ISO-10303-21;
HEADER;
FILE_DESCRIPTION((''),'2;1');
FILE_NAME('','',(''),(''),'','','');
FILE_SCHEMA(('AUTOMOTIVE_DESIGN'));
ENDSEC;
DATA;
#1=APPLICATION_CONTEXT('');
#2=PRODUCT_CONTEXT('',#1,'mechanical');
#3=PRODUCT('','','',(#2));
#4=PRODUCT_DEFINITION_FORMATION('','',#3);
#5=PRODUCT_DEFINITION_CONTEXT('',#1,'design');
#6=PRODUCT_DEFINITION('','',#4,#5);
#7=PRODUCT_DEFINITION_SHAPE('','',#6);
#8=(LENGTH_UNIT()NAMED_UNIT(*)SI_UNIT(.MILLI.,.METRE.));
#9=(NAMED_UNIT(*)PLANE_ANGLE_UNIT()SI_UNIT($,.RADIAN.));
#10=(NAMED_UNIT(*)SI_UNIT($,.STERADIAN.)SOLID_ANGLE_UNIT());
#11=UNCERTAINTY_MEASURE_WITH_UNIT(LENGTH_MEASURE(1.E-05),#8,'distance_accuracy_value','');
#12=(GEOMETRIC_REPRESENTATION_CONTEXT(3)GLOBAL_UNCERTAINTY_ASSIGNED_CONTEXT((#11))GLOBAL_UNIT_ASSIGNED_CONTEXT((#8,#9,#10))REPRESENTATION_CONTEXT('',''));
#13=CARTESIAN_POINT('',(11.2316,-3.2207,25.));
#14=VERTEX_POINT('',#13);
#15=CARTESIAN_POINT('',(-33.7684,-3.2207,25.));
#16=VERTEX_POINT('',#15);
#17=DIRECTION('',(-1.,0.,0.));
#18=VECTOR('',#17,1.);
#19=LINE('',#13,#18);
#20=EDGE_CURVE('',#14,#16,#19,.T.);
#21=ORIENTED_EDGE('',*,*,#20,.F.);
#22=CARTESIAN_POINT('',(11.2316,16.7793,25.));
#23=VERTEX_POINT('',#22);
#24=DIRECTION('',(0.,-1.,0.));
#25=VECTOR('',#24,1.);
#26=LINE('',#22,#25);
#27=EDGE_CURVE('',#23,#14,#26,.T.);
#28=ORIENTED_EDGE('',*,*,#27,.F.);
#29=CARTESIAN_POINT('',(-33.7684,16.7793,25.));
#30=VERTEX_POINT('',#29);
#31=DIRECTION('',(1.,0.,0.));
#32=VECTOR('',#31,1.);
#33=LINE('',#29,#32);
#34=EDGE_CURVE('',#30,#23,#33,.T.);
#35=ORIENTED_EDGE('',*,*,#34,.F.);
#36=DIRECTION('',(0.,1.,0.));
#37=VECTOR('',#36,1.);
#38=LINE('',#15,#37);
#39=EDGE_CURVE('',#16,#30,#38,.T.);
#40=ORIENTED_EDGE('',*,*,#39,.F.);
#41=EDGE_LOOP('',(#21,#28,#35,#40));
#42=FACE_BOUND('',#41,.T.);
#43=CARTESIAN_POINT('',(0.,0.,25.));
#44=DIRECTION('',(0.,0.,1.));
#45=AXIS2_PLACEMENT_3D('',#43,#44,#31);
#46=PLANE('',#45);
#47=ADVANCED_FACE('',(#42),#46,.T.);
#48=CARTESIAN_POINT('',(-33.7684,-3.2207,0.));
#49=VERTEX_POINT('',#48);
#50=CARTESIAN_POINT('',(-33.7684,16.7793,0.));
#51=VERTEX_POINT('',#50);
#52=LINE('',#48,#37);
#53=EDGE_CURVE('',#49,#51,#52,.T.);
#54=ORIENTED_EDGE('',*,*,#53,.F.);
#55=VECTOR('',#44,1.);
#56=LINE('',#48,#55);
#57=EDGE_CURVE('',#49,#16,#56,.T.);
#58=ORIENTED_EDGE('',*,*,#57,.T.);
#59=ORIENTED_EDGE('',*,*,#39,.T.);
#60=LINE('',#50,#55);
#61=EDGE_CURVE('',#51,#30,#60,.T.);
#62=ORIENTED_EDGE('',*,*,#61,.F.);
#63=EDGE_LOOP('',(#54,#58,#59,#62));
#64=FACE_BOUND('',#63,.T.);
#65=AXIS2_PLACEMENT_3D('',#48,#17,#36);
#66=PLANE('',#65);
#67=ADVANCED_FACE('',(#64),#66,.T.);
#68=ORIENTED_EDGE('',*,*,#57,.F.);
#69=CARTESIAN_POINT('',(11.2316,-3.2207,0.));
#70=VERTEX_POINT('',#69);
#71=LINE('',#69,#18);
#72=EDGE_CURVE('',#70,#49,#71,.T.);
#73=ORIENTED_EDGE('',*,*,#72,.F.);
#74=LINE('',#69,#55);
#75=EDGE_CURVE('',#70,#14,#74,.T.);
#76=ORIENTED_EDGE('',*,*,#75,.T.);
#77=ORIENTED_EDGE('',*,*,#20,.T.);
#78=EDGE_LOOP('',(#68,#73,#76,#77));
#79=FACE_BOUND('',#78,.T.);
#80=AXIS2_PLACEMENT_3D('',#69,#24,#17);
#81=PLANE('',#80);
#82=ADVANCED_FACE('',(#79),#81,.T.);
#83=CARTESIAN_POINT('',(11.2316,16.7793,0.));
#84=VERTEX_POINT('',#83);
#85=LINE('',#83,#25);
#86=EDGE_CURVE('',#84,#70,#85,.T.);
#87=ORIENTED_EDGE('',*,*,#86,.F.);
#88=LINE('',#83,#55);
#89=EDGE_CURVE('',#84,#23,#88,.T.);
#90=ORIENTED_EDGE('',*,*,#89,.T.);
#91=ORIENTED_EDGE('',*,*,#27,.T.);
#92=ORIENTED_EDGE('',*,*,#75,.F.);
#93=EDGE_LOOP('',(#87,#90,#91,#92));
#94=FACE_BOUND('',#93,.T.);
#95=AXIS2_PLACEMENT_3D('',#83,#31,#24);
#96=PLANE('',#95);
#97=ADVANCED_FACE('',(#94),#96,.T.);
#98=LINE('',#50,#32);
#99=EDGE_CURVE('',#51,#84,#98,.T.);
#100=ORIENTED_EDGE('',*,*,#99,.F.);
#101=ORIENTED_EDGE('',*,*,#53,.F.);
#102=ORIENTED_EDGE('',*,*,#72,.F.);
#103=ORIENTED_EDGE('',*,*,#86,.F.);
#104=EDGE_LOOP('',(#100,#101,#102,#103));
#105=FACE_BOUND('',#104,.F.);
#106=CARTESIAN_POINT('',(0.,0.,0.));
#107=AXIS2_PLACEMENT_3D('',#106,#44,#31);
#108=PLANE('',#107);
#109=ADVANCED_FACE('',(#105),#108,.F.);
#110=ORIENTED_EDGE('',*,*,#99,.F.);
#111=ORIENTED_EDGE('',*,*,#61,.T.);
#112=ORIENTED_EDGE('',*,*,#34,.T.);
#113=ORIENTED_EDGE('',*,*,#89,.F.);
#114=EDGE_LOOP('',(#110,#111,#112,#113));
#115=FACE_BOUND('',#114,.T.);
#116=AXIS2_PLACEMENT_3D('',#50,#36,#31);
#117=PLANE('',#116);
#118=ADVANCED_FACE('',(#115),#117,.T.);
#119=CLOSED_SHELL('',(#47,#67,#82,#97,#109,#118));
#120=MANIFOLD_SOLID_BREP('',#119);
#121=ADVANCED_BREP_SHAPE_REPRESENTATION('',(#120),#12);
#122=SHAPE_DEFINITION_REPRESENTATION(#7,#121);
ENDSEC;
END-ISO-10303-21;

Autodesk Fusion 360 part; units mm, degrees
sketch "草图1" plane through (0, 0, 0) normal (0, 0, 1) x (1, 0, 0)
  line L0 (-33.7684, 16.7793) -> (11.2316, 16.7793)
  line L1 (11.2316, 16.7793) -> (11.2316, -3.2207)
  line L2 (11.2316, -3.2207) -> (-33.7684, -3.2207)
  line L3 (-33.7684, -3.2207) -> (-33.7684, 16.7793)
  dimension "d1" = 45
  dimension "d2" = 20
extrude "拉伸1" add sketch "草图1" along normal blind 25
